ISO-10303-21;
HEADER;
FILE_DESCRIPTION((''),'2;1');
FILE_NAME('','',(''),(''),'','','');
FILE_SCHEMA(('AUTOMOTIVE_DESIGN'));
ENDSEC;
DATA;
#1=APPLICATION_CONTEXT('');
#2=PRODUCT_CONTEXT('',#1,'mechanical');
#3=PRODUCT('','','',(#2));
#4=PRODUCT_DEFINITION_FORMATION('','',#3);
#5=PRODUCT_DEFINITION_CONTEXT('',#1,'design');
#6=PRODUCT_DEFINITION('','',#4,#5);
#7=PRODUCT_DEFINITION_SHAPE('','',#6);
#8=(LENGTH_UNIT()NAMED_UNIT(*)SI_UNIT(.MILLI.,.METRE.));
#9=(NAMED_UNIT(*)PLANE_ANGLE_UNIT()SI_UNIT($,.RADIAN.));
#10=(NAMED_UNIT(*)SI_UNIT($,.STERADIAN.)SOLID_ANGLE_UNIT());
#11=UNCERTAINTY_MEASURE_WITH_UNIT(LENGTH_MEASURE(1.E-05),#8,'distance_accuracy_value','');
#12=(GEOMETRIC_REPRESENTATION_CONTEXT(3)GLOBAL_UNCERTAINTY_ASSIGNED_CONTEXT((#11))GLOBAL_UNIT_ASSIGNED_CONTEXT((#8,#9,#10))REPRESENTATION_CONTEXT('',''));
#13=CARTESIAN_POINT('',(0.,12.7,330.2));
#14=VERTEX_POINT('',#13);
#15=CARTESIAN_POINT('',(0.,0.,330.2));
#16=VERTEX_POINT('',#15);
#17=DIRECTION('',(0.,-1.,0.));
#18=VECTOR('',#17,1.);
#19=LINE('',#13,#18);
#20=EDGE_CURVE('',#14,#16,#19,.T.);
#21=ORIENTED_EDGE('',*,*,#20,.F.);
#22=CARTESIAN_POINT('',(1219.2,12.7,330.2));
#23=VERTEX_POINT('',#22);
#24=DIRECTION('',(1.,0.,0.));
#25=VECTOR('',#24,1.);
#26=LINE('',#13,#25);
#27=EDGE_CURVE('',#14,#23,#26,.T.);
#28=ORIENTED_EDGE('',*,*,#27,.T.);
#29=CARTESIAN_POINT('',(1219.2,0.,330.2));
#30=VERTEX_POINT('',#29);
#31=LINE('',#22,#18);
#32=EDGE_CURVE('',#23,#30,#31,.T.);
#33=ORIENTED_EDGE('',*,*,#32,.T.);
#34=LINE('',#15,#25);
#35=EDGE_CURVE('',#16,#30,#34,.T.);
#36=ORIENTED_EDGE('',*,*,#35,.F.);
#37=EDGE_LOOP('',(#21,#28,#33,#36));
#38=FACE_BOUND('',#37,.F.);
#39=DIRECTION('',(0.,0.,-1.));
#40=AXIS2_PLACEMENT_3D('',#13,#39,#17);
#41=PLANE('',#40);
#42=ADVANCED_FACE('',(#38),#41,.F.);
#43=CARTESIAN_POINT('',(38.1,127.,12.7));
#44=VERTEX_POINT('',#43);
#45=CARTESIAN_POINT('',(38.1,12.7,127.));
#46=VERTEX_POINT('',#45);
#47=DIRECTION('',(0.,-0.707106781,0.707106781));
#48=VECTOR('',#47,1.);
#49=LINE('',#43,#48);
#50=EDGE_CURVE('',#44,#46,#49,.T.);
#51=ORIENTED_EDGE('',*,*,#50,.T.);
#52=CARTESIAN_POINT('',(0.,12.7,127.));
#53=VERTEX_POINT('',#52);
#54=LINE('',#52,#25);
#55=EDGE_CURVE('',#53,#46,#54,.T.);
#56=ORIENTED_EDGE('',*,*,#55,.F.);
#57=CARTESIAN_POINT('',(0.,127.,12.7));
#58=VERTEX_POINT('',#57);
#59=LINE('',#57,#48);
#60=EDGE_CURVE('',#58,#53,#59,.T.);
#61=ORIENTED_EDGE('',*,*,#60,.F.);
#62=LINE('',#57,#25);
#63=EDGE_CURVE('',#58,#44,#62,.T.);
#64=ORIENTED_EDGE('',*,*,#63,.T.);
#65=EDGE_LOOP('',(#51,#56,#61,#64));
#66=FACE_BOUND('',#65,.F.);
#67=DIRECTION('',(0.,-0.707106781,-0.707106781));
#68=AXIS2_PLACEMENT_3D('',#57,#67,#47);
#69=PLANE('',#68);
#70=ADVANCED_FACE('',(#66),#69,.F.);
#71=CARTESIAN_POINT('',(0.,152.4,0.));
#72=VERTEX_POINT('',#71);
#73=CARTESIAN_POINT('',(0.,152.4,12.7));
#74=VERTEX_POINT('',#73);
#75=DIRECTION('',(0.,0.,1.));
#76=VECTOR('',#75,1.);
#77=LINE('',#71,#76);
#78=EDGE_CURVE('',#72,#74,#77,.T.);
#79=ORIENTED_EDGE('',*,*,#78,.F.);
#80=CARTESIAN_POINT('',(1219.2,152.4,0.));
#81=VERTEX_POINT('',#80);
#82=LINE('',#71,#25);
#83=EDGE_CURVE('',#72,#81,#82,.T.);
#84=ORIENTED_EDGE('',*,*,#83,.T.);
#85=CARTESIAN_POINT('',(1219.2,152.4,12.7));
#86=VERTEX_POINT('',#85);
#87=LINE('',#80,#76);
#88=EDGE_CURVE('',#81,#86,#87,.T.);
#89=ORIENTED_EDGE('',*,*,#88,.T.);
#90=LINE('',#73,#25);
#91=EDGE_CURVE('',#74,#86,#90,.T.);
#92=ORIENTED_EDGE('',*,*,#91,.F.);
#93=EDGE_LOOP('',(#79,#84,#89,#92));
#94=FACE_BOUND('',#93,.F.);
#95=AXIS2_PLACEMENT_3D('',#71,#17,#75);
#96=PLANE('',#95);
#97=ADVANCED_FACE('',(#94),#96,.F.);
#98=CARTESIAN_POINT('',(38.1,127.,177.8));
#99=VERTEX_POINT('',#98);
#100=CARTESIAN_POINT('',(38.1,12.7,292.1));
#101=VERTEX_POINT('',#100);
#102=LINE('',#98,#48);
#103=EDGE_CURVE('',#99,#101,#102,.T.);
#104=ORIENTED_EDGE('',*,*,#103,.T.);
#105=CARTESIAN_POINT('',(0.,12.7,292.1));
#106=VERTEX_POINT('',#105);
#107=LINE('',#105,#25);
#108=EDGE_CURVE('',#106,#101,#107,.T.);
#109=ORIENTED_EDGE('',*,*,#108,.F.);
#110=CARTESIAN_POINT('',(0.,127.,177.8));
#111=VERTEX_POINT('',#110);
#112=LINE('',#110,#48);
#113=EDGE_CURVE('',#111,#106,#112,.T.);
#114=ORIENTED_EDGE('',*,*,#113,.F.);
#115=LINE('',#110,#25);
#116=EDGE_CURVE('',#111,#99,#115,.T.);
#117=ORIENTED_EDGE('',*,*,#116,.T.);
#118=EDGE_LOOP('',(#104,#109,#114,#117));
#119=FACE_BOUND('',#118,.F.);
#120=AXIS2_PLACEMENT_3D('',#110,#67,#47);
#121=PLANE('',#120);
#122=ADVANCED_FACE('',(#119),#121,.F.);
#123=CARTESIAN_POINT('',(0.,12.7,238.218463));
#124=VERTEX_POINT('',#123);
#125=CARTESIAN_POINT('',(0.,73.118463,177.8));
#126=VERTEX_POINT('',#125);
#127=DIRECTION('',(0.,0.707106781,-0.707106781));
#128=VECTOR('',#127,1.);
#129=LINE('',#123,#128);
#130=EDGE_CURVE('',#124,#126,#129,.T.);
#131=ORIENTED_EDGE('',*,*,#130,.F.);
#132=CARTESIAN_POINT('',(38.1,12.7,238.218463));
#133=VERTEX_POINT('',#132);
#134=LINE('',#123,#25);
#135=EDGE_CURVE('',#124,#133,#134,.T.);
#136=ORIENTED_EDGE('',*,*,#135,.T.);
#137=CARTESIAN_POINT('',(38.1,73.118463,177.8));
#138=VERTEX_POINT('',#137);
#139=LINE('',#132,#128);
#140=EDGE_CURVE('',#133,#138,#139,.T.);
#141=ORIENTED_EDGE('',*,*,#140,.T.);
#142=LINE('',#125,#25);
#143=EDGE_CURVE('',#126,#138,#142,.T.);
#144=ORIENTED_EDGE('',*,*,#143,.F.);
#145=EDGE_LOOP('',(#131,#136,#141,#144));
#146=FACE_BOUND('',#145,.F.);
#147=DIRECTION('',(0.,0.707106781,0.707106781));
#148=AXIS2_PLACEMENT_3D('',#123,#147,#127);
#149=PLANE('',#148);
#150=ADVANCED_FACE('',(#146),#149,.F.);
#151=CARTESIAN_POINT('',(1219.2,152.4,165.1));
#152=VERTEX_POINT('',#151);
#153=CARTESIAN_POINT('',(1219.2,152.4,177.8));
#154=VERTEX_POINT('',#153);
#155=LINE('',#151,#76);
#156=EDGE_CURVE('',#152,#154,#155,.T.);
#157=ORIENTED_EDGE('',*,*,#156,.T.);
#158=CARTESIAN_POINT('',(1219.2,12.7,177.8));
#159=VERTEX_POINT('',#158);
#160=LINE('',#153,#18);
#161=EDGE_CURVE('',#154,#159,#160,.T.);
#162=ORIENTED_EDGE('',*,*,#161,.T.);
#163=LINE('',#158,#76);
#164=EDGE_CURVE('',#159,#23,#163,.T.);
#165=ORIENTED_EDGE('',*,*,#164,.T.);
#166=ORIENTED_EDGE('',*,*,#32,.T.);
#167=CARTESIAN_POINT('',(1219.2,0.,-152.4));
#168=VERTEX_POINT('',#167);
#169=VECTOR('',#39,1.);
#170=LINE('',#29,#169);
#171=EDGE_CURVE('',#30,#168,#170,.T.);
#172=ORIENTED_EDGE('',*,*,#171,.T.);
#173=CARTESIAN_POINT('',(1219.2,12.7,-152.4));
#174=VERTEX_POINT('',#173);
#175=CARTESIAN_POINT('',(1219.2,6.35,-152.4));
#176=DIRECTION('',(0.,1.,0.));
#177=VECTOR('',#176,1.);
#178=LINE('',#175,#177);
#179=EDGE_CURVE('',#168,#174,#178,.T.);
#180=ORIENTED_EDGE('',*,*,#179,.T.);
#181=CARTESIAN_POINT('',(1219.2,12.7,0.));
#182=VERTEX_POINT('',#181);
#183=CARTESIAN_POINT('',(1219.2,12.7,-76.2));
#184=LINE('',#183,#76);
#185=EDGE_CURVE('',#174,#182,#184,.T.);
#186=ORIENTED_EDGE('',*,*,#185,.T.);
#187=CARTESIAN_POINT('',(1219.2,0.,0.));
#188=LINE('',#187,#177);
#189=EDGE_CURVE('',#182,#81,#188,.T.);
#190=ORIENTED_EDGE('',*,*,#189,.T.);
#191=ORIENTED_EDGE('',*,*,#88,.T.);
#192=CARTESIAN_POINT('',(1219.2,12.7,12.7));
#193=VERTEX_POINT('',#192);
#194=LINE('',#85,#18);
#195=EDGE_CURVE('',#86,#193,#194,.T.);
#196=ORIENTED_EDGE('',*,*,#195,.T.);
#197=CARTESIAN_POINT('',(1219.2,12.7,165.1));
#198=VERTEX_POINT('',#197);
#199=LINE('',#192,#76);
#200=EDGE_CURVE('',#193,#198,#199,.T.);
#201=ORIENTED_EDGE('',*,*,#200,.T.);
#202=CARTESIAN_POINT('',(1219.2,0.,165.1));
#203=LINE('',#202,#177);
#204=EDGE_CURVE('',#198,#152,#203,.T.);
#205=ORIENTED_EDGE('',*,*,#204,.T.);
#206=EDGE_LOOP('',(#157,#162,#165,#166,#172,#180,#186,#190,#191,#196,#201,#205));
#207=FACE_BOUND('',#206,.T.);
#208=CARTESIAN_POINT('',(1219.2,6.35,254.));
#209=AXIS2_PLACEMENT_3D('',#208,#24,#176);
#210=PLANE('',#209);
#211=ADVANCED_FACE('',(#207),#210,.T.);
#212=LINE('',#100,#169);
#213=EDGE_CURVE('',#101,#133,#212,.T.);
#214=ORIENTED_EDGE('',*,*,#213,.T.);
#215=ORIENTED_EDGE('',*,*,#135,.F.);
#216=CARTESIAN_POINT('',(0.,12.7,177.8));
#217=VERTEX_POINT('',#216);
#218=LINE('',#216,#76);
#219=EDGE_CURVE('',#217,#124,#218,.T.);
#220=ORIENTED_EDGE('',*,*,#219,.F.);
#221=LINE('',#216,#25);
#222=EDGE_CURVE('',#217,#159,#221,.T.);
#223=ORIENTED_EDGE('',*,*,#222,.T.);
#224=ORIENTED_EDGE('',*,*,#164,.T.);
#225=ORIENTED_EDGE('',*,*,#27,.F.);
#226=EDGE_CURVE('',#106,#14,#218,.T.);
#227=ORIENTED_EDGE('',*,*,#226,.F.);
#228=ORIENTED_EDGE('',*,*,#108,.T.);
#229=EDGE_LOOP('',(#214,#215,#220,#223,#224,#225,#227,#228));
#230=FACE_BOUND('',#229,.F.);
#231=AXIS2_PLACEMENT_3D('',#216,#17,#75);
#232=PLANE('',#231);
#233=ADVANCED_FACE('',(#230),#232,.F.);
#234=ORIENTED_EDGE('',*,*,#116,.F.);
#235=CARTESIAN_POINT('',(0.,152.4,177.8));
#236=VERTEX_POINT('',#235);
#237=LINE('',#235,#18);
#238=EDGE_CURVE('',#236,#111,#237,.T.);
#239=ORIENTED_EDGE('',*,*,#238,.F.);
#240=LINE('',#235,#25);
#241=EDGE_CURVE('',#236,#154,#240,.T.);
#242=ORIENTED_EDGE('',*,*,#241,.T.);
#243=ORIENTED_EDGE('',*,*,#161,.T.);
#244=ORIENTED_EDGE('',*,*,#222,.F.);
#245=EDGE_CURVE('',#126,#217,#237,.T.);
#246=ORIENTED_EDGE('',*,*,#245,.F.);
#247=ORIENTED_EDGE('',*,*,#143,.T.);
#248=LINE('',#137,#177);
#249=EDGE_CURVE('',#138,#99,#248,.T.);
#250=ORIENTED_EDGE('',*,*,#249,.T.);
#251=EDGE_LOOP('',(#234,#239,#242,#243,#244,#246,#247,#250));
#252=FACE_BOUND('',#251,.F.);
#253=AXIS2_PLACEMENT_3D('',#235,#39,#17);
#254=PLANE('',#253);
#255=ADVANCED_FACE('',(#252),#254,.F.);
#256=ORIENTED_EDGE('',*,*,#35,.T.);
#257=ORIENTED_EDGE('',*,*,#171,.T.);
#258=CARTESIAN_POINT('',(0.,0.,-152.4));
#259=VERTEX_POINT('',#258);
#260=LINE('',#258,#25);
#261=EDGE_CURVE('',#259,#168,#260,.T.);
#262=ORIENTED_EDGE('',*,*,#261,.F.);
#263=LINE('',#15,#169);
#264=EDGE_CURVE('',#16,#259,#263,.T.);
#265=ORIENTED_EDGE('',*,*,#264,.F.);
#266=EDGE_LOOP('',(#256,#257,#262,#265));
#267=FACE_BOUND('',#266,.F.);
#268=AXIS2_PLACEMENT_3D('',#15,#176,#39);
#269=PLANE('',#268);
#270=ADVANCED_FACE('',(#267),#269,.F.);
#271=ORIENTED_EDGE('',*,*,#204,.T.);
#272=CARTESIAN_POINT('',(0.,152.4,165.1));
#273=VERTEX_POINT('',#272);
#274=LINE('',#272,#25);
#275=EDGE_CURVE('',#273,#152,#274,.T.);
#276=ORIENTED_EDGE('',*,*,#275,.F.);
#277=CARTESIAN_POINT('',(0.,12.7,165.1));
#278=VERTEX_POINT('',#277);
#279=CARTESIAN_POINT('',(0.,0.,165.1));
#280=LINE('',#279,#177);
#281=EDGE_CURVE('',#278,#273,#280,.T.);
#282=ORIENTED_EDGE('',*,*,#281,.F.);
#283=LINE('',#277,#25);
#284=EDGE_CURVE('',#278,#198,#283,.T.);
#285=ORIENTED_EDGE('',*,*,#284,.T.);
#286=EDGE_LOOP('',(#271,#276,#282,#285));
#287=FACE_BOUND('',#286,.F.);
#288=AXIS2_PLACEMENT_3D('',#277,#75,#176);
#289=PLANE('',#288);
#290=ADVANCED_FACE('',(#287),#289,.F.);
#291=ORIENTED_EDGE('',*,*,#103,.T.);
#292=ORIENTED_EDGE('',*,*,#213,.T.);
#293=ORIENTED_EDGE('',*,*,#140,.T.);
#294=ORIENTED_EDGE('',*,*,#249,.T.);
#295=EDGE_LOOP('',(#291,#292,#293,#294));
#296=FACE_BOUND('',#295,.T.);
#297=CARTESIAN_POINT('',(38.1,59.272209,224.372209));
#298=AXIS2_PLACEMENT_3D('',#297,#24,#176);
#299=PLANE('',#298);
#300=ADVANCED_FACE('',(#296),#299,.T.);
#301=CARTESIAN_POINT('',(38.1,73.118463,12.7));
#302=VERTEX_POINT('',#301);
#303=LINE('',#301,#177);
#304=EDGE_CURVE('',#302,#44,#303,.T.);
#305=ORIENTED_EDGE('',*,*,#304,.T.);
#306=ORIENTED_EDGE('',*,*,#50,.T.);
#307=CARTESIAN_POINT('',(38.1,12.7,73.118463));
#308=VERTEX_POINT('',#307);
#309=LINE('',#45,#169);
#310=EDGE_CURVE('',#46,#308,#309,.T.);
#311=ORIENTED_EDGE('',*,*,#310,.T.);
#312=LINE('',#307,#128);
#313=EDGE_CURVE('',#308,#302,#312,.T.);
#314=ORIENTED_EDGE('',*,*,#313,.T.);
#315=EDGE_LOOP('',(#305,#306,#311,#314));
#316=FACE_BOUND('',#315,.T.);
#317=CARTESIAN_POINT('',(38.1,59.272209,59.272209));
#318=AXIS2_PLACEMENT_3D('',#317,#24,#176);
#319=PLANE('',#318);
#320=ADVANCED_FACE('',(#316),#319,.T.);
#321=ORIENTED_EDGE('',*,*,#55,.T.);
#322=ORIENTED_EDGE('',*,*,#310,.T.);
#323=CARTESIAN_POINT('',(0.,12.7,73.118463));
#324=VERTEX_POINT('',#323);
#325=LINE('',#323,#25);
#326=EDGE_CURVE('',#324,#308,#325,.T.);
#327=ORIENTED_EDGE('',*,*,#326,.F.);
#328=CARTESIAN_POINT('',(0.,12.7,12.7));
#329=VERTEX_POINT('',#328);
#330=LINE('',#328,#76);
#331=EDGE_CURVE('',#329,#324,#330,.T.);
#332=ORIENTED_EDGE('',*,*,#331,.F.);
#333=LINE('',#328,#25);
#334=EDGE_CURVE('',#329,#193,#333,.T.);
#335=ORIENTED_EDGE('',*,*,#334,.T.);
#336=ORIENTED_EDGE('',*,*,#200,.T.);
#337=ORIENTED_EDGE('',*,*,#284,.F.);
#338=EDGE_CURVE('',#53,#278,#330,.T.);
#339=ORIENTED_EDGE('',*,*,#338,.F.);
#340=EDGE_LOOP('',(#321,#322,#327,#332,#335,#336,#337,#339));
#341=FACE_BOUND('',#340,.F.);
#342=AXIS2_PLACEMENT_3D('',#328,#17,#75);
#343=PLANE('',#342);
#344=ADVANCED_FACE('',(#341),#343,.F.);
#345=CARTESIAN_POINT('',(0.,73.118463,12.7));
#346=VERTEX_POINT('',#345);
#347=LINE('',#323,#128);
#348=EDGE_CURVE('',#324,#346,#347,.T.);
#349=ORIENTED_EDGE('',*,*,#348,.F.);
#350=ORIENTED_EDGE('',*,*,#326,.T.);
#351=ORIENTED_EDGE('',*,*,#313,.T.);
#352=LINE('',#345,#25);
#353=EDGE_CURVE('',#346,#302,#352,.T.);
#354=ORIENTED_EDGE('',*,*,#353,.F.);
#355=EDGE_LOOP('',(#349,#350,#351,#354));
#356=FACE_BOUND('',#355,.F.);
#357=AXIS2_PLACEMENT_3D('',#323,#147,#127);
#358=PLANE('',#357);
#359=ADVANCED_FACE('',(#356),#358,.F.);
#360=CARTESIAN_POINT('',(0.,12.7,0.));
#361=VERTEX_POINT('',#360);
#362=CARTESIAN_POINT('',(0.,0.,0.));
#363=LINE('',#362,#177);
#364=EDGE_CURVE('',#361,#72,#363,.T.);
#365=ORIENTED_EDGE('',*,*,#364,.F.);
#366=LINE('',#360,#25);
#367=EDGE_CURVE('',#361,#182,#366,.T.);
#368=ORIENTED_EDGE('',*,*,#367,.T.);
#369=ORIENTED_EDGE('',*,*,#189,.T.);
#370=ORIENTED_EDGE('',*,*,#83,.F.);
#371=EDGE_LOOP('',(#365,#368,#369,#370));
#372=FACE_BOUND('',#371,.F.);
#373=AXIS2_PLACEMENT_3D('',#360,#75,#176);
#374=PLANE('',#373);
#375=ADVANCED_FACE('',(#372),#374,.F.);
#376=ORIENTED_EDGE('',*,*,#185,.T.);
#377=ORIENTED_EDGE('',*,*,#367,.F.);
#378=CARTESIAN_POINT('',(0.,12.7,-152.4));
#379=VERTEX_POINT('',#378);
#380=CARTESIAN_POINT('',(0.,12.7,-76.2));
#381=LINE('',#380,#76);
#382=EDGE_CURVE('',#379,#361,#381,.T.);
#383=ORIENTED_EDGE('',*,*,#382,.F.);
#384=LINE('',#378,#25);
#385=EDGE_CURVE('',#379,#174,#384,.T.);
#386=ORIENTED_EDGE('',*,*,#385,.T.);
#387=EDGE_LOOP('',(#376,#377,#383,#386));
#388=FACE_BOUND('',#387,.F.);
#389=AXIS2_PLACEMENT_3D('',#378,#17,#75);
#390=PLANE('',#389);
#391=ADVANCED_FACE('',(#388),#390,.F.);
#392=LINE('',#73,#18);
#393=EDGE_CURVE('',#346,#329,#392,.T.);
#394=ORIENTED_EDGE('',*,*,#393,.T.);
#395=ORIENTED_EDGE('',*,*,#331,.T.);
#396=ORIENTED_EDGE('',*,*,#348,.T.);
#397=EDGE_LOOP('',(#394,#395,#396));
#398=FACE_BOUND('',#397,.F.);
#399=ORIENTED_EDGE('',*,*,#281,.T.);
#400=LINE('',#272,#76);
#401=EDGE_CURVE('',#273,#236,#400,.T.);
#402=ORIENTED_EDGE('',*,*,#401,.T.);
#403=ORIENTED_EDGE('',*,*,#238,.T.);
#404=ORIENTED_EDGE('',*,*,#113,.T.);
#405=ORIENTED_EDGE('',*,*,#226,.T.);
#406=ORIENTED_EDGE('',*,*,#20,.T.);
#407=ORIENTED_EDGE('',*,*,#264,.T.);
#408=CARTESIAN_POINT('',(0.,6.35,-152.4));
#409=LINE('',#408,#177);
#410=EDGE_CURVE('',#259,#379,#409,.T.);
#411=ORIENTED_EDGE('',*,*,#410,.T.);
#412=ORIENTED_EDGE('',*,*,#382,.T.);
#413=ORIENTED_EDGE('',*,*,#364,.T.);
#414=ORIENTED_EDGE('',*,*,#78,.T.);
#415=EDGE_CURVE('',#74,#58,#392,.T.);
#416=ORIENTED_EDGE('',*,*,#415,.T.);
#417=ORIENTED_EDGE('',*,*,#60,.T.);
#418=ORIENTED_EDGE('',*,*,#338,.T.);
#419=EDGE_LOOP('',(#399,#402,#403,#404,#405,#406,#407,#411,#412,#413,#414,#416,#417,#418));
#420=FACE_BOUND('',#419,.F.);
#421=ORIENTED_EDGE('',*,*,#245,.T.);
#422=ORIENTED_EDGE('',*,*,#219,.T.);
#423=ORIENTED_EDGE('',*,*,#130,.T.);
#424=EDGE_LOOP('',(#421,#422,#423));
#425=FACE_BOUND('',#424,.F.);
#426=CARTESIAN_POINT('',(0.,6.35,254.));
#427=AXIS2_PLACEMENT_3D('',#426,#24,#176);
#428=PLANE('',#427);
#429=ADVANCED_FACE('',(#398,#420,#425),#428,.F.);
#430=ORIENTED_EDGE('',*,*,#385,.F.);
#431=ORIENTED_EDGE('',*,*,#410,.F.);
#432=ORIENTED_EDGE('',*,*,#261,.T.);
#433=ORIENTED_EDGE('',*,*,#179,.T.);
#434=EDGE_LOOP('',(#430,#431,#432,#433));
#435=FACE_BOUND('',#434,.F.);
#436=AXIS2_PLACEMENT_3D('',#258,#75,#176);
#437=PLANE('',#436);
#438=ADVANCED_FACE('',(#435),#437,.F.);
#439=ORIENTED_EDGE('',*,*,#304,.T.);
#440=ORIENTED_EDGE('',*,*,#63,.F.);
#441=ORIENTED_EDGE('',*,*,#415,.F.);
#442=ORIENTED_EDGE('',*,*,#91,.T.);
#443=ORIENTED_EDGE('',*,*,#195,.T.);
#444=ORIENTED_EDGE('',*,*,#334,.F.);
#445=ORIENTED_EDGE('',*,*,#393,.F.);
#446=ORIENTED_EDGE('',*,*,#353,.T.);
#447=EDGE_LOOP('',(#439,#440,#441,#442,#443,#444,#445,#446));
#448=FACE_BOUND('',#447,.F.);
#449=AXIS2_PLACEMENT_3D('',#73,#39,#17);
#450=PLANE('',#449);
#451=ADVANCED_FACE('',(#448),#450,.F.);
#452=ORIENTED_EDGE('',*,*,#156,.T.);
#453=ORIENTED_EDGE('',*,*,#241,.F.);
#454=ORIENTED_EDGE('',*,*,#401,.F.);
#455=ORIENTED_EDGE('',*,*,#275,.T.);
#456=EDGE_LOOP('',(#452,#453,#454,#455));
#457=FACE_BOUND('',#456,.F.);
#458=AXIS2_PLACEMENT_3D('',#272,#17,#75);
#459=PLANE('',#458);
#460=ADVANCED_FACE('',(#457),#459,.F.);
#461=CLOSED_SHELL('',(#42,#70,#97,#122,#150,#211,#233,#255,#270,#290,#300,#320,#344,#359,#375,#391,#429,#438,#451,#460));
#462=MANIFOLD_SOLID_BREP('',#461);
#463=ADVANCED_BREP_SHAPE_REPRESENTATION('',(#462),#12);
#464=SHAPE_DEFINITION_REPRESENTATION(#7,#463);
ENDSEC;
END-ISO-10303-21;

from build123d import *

# Parameters (mm, degrees)
F0_W     = 12.7
F0_H     = 152.4
F1_DEPTH = 1219.2
F2_DEPTH = 38.1


with BuildPart() as f1:
    # F0 (on Right) → F1 (new body)
    with BuildSketch(Plane.YZ):
        Polygon((0, 330.2), (0, 177.8), (12.7, 177.8), (12.7, 238.218463), (12.7, 292.1), (12.7, 330.2), align=None)
        Polygon((0, 177.8), (0, 165.1), (12.7, 165.1), (152.4, 165.1), (152.4, 177.8), (127, 177.8), (73.118463, 177.8), (12.7, 177.8), align=None)
        Polygon((0, 165.1), (0, 12.7), (12.7, 12.7), (12.7, 73.118463), (12.7, 127), (12.7, 165.1), align=None)
        Polygon((0, 12.7), (0, 0), (12.7, 0), (152.4, 0), (152.4, 12.7), (127, 12.7), (73.118463, 12.7), (12.7, 12.7), align=None)
        with Locations((6.35, -76.2)):
            Rectangle(F0_W, F0_H)
    extrude(amount=F1_DEPTH)

    # F0 (on Right) → F2 (join)
    with BuildSketch(Plane.YZ):
        Polygon((12.7, 238.218463), (73.118463, 177.8), (127, 177.8), (12.7, 292.1), align=None)
        Polygon((12.7, 73.118463), (73.118463, 12.7), (127, 12.7), (12.7, 127), align=None)
    extrude(amount=F2_DEPTH)


solid = f1.part
